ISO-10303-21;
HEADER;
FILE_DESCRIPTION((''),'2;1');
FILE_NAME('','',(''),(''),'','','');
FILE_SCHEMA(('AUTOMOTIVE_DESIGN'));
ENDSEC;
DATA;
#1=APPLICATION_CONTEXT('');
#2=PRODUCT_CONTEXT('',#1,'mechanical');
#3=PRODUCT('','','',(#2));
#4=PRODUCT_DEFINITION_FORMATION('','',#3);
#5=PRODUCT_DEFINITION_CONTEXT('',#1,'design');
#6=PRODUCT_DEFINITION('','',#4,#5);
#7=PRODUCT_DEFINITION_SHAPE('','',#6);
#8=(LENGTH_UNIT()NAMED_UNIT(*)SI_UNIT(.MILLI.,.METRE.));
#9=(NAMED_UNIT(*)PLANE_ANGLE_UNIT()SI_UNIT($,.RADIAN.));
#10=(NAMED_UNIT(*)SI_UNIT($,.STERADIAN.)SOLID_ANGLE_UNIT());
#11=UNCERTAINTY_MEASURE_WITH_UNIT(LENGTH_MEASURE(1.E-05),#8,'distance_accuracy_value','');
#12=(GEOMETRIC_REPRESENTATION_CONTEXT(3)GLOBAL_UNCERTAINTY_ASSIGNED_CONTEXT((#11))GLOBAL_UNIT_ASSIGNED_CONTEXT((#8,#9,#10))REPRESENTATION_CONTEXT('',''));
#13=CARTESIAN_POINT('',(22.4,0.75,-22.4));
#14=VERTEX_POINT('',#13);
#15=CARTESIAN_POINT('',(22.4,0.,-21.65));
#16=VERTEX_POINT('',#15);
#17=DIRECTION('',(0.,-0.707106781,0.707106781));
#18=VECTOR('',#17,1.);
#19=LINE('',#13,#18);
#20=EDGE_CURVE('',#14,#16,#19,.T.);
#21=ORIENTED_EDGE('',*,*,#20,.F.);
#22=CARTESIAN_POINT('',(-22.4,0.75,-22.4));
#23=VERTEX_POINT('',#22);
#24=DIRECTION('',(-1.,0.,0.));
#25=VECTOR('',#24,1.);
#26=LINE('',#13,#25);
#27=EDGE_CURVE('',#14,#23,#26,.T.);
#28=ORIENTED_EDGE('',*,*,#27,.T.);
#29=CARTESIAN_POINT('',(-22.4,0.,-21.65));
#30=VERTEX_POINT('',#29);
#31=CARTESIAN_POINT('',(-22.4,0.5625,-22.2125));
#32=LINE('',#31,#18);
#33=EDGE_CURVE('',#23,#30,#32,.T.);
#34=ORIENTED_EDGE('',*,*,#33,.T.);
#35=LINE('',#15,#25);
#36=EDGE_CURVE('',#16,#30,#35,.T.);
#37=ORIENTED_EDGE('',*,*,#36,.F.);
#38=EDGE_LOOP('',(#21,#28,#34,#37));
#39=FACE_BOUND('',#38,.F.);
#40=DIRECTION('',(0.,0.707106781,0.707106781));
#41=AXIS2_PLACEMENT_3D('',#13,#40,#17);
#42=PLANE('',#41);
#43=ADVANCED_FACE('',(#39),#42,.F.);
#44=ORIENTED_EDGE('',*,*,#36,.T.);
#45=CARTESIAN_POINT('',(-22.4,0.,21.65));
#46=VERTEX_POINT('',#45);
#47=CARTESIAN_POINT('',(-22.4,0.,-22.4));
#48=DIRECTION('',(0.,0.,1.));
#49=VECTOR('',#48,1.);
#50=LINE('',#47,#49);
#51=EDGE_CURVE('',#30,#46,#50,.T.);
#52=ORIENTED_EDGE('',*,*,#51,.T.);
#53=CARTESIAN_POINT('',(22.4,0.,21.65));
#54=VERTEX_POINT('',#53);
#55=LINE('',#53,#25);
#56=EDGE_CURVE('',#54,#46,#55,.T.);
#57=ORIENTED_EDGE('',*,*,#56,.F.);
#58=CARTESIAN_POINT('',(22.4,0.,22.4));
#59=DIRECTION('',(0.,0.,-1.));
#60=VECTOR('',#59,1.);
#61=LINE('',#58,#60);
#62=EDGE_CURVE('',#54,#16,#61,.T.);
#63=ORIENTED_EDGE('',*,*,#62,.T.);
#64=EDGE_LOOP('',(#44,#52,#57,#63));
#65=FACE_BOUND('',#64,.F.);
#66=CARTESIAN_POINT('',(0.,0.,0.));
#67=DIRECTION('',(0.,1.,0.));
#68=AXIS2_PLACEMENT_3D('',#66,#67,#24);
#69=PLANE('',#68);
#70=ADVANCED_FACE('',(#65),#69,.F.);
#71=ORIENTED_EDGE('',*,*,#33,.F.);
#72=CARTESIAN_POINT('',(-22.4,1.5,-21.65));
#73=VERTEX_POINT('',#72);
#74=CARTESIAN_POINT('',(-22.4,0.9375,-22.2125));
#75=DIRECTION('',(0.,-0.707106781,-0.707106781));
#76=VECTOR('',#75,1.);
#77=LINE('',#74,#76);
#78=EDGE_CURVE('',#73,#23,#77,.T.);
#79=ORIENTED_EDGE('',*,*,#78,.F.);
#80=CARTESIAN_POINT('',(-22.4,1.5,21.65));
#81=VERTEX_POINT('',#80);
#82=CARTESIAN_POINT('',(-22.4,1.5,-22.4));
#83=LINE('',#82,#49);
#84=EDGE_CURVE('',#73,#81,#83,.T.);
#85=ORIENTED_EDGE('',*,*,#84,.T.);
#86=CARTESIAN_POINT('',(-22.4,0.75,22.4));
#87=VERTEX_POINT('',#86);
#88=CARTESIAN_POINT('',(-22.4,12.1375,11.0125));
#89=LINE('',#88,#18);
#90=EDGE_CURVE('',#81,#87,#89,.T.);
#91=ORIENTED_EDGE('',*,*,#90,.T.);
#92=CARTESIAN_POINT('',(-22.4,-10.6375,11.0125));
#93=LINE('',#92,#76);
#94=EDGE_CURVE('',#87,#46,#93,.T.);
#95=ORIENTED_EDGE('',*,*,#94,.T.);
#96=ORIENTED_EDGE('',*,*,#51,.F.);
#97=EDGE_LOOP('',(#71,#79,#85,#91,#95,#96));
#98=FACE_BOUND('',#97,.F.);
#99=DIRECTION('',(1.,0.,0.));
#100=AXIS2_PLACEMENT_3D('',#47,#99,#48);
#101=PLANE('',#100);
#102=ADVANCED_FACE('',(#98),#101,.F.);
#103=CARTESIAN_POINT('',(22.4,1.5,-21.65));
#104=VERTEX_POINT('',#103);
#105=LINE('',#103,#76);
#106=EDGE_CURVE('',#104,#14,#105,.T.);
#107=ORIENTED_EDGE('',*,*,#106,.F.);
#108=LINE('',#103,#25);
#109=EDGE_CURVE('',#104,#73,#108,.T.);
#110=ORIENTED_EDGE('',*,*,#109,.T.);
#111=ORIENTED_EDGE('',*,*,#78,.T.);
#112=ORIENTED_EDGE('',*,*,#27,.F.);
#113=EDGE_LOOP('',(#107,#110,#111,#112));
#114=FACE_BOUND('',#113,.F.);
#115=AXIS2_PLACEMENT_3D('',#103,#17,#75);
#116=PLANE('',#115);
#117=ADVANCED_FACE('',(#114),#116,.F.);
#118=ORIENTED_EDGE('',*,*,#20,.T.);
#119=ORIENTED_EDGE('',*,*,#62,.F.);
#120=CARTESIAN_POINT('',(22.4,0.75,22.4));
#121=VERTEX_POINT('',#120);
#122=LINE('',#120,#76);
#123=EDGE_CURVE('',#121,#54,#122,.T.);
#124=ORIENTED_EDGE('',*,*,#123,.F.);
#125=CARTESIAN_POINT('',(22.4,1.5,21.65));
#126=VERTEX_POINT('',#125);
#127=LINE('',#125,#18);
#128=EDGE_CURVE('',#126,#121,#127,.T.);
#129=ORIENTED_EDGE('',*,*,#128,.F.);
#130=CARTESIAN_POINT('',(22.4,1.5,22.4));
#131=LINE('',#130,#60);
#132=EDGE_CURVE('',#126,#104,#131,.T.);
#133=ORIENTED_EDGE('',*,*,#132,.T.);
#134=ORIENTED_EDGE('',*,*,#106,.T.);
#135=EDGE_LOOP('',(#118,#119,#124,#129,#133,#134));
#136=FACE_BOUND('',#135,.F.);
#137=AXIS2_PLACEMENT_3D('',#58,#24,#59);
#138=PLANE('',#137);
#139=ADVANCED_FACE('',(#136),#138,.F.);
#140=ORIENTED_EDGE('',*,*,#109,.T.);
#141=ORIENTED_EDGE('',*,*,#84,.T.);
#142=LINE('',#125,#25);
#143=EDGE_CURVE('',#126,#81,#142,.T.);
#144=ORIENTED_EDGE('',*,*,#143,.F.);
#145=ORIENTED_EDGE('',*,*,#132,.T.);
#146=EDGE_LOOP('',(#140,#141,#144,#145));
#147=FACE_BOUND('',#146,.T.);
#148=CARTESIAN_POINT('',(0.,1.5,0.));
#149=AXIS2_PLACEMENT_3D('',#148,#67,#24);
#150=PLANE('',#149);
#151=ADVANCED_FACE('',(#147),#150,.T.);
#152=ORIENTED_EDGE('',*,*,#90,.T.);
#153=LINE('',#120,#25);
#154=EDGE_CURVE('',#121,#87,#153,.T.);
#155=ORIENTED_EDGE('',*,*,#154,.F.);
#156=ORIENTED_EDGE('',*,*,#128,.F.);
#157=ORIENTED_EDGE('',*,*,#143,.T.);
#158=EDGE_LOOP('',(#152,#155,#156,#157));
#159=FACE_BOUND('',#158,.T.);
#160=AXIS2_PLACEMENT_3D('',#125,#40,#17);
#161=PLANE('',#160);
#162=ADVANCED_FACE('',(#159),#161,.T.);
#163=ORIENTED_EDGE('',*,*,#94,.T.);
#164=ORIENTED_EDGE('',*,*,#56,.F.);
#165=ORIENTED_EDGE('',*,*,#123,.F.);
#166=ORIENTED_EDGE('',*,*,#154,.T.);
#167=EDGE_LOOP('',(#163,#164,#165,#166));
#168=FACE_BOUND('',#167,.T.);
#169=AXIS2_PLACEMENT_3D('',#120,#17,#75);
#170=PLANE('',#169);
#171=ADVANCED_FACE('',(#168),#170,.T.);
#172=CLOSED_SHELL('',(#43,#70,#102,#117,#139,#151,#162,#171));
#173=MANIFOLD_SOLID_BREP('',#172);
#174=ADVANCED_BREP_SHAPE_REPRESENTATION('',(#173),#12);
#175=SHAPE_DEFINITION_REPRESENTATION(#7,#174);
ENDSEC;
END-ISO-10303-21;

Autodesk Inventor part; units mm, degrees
ref_plane "YZ Plane" through (0, 0, 0) normal (1, 0, 0) x (0, 1, 0)
ref_plane "XZ Plane" through (0, 0, 0) normal (0, 1, 0) x (-1, 0, 0)
ref_plane "XY Plane" through (0, 0, 0) normal (0, 0, 1) x (1, 0, 0)
sketch "Sketch1" plane through (0, 0, 0) normal (0, 1, 0) x (-1, 0, 0)
  line L0 (-22.4, -22.4) -> (22.4, -22.4)
  line L1 (22.4, -22.4) -> (22.4, 22.4)
  line L2 (22.4, 22.4) -> (-22.4, 22.4)
  line L3 (-22.4, 22.4) -> (-22.4, -22.4)
  line L4 (-22.4, -22.4) -> (22.4, 22.4) construction
  line L5 (22.4, -22.4) -> (-22.4, 22.4) construction
  point P0 (0, 0)
  dimension "d0" = 44.8
  dimension "d1" = 44.8
extrude "Extrusion1" add sketch "Sketch1" along normal blind 1.5
sketch "Sketch2" plane through (22.4, 0, 22.4) normal (1, 0, 0) x (0, 0, -1)
  line L0 (44.8, 0) -> (0, 0) projected
  line L1 (0.75, 1.5) -> (0, 0.75)
  line L2 (0.75, 1.5) -> (1.8107, 1.5) construction
  line L3 (0, 0.75) -> (0.75, 0)
  line L4 (0, 0) -> (0, 1.5) projected
  line L5 (22.4, -4.0308) -> (22.4, 6.4537)
  line L6 (0.75, 1.5) -> (0, 1.5)
  line L7 (0, 1.5) -> (0, 0)
  line L8 (0.75, 0) -> (0, 0)
  line L9 (0, 1.5) -> (44.8, 1.5) projected
  line L10 (0, 0) -> (44.8, 0)
  line L11 (44.05, 1.5) -> (44.8, 0.75)
  line L12 (44.05, 1.5) -> (42.9893, 1.5) construction
  line L13 (44.8, 0.75) -> (44.05, 0)
  line L14 (44.8, 0) -> (44.8, 1.5)
  line L15 (44.05, 1.5) -> (44.8, 1.5)
  line L16 (44.8, 1.5) -> (44.8, 0)
  line L17 (44.05, 0) -> (44.8, 0)
  line L18 (44.8, 1.5) -> (0, 1.5)
  point P0 (22.4, 0)
  point P1 (22.4, 0)
  dimension "d7" = 45
  dimension "d8" = 45
extrude "Extrusion2" cut sketch "Sketch2" against normal through all contours L0 L13 L14 | L11 L9 L14 | L0 L4 L3 | L4 L6 L1
properties part number "Digital Module Cover V3 Insert"
